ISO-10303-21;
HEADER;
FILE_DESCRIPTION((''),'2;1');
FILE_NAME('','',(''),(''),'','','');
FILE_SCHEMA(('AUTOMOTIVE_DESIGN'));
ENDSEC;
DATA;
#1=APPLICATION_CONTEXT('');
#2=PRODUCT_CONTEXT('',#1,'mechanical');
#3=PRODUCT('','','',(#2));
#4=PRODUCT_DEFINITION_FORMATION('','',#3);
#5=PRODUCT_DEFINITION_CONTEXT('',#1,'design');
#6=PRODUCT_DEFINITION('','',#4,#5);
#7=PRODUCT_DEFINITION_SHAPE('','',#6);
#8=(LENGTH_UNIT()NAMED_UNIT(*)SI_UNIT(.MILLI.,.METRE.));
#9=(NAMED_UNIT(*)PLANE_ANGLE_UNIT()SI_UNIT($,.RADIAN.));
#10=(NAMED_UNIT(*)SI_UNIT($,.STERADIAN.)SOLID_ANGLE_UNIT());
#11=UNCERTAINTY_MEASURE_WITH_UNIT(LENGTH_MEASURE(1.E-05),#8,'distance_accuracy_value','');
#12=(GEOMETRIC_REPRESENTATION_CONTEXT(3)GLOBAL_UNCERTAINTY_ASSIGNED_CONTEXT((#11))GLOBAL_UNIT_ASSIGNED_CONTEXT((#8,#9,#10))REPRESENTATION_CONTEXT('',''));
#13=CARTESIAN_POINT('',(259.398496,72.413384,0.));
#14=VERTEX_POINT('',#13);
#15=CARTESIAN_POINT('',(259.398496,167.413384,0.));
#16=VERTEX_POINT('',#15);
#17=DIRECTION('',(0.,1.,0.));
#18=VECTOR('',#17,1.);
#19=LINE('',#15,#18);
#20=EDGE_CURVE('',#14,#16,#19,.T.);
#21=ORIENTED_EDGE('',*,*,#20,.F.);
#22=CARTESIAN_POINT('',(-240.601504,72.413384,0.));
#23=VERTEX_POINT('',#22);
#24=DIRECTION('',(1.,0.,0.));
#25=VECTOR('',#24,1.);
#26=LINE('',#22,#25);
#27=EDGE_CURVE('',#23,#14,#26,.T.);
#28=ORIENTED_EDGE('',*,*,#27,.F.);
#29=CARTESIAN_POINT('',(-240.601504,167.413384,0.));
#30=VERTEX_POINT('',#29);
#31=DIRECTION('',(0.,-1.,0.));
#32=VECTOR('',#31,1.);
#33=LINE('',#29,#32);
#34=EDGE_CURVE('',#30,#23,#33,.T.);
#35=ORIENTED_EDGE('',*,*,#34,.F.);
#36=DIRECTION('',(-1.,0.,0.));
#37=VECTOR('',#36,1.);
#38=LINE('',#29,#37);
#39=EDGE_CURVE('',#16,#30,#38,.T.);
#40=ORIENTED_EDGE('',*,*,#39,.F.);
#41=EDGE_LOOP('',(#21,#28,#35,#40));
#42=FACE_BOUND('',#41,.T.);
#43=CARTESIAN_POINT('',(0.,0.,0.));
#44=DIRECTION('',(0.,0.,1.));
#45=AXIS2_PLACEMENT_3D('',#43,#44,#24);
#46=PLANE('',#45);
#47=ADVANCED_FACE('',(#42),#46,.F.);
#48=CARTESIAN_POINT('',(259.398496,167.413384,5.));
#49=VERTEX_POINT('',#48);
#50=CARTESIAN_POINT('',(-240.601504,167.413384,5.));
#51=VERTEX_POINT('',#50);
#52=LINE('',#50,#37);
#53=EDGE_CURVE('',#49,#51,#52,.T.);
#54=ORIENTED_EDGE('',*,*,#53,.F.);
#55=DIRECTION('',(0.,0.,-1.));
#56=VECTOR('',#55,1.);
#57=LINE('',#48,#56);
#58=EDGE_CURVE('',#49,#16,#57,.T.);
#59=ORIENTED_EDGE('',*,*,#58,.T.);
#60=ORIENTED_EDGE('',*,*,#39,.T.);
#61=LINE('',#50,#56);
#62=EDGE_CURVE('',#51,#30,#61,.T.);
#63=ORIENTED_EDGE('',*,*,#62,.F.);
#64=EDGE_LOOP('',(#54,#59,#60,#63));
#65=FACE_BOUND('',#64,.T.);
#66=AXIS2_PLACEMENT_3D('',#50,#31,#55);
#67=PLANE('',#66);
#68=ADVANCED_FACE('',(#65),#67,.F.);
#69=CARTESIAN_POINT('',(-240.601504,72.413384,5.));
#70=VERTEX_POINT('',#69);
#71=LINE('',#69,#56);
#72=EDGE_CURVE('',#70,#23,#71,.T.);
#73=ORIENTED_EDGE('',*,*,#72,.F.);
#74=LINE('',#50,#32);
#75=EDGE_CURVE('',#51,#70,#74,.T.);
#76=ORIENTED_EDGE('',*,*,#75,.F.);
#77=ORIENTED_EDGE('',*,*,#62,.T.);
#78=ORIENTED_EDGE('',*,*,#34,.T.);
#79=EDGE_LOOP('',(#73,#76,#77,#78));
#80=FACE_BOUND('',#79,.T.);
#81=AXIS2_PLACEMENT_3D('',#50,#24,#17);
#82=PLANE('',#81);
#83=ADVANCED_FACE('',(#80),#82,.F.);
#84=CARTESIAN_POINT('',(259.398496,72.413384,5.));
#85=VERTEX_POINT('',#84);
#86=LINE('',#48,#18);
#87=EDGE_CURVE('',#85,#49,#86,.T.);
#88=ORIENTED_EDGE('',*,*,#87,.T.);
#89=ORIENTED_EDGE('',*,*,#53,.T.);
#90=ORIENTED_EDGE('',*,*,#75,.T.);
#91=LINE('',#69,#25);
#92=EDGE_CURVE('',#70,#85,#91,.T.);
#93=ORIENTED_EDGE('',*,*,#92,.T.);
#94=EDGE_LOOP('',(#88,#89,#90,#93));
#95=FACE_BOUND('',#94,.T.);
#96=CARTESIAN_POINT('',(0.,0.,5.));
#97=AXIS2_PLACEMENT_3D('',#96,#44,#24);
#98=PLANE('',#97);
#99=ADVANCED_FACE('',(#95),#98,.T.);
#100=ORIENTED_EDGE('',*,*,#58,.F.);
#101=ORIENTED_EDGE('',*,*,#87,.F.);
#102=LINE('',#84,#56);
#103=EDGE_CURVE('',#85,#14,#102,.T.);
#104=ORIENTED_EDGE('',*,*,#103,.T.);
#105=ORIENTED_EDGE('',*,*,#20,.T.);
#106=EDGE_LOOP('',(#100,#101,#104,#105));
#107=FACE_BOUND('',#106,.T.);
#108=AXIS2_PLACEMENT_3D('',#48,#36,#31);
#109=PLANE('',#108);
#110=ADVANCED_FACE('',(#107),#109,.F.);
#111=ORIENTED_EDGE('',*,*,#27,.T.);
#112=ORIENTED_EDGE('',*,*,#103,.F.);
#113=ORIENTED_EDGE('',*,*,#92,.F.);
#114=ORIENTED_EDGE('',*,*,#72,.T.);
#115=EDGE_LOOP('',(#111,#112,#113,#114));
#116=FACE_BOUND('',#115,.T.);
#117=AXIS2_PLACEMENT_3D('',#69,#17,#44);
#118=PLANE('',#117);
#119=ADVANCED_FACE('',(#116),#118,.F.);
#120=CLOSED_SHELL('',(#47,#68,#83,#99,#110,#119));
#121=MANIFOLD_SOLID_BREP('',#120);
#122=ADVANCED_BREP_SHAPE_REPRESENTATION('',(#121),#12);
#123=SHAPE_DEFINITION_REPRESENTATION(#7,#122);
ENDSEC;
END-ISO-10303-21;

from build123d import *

# Parameters (mm, degrees)
SKETCH_1_W      = 500
SKETCH_1_H      = 95
EXTRUDE_1_DEPTH = 5


with BuildPart() as part:
    # 草图1 → 凸台-拉伸1 (new body)
    with BuildSketch(Plane.XY):
        with Locations((9.398496241, 119.913383731)):
            Rectangle(SKETCH_1_W, SKETCH_1_H)
    extrude(amount=EXTRUDE_1_DEPTH)


solid = part.part
